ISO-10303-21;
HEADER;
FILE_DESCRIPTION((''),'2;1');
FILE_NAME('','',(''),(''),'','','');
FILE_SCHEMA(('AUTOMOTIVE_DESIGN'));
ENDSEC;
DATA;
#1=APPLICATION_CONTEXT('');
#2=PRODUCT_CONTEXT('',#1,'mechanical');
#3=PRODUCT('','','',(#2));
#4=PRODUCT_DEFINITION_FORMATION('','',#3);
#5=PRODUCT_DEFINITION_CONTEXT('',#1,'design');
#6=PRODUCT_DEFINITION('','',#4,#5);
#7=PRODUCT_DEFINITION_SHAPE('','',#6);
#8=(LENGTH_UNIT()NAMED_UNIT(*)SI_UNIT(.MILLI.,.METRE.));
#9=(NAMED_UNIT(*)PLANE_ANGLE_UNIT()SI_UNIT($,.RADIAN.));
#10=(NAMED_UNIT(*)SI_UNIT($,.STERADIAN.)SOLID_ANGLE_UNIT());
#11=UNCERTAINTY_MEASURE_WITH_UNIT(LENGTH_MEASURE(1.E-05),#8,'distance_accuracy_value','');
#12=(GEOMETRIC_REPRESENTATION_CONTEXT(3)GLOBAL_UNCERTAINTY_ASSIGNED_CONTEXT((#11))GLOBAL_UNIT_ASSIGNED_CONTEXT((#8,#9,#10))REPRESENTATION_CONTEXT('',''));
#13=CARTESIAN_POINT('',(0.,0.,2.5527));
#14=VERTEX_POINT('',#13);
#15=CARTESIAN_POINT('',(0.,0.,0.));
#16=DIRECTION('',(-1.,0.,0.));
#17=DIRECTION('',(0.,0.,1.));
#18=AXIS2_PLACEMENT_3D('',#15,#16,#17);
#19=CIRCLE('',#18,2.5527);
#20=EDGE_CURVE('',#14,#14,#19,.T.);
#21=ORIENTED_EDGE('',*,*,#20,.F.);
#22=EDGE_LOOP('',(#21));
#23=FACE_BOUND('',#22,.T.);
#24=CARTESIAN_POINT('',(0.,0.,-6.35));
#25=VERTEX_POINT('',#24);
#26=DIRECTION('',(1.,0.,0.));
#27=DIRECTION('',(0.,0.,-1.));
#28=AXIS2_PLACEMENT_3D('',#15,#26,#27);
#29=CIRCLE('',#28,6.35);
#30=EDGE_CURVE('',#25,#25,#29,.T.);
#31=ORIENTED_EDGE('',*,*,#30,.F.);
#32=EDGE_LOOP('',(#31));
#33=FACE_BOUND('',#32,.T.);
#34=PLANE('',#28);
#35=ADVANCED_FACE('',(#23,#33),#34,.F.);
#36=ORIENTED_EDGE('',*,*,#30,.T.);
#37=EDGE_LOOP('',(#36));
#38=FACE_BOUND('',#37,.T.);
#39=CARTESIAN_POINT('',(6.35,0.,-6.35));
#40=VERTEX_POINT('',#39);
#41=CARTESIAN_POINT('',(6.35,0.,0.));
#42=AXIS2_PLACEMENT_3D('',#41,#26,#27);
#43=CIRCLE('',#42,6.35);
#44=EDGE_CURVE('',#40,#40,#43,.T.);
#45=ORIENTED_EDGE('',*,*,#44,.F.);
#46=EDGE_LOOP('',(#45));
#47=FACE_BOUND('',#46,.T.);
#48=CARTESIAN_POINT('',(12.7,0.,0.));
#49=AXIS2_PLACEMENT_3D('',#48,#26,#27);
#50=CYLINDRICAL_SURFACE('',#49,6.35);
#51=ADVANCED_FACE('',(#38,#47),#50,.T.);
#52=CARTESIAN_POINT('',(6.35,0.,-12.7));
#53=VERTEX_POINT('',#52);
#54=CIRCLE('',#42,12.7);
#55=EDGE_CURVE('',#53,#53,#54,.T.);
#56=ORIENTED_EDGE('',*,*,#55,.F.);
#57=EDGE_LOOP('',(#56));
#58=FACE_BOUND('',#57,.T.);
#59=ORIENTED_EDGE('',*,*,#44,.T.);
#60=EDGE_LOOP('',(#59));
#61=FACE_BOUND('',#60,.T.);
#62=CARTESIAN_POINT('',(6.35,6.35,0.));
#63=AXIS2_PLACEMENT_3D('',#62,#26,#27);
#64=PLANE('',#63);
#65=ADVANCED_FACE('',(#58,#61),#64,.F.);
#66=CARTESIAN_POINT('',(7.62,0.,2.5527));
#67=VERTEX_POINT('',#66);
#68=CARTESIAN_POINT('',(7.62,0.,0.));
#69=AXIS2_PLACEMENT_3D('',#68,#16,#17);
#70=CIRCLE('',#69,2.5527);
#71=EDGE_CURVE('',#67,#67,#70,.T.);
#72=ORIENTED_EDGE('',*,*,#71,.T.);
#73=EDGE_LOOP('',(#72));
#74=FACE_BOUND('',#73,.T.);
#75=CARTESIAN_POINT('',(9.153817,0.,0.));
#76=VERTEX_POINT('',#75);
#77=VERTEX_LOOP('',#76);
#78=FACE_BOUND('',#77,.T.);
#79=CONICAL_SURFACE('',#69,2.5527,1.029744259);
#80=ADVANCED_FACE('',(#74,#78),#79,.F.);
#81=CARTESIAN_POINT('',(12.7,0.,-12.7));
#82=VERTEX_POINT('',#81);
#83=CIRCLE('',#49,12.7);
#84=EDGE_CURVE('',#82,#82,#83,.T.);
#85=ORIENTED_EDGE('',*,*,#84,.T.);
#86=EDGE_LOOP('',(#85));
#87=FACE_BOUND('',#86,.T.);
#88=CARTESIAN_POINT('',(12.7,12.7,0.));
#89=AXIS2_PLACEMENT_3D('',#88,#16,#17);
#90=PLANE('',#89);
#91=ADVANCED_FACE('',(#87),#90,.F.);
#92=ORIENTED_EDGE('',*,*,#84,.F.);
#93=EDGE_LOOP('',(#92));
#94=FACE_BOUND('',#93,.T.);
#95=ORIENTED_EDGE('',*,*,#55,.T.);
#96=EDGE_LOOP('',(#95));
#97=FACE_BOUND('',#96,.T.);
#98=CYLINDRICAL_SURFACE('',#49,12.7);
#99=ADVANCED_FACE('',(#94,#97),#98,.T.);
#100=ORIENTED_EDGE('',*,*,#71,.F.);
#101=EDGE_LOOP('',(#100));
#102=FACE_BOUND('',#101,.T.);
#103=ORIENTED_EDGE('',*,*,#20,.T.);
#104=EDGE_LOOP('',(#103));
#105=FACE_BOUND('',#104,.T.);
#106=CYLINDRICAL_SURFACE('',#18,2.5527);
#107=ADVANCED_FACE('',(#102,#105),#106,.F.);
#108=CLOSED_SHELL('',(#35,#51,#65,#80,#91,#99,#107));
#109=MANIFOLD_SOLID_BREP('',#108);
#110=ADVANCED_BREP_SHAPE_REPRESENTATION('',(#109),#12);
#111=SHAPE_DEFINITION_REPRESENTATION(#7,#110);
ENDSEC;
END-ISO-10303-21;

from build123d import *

# Parameters (mm, degrees)
F_1_4_20_TAPPED_HOLE1_D     = 5.1054
F_1_4_20_TAPPED_HOLE1_DEPTH = 7.62
F_1_4_20_TAPPED_HOLE1_TIP   = 1.533816902


with BuildPart() as part:
    # Sketch2 → Revolve1 (revolve)
    with BuildSketch(Plane.XY, mode=Mode.PRIVATE) as revolve1_sk:
        Polygon((0, 0), (0, 6.35), (6.35, 6.35), (6.35, 12.7), (12.7, 12.7), (12.7, 0), align=None)
    revolve(revolve1_sk.sketch.rotate(Axis((12.7, 0, 0), (-1, 0, 0)), 90), axis=Axis((12.7, 0, 0), (-1, 0, 0)))

    # 1/4-20 Tapped Hole1
    with Locations(Plane(origin=(0, 0, 0), x_dir=(0, 0, -1), z_dir=(-1, 0, 0))):
        with Locations((0, 0)):
            Hole(F_1_4_20_TAPPED_HOLE1_D / 2, depth=F_1_4_20_TAPPED_HOLE1_DEPTH)
            with Locations((0, 0, -(F_1_4_20_TAPPED_HOLE1_DEPTH + F_1_4_20_TAPPED_HOLE1_TIP / 2))):  # 118° drill point
                Cone(0, F_1_4_20_TAPPED_HOLE1_D / 2, F_1_4_20_TAPPED_HOLE1_TIP, mode=Mode.SUBTRACT)


solid = part.part
